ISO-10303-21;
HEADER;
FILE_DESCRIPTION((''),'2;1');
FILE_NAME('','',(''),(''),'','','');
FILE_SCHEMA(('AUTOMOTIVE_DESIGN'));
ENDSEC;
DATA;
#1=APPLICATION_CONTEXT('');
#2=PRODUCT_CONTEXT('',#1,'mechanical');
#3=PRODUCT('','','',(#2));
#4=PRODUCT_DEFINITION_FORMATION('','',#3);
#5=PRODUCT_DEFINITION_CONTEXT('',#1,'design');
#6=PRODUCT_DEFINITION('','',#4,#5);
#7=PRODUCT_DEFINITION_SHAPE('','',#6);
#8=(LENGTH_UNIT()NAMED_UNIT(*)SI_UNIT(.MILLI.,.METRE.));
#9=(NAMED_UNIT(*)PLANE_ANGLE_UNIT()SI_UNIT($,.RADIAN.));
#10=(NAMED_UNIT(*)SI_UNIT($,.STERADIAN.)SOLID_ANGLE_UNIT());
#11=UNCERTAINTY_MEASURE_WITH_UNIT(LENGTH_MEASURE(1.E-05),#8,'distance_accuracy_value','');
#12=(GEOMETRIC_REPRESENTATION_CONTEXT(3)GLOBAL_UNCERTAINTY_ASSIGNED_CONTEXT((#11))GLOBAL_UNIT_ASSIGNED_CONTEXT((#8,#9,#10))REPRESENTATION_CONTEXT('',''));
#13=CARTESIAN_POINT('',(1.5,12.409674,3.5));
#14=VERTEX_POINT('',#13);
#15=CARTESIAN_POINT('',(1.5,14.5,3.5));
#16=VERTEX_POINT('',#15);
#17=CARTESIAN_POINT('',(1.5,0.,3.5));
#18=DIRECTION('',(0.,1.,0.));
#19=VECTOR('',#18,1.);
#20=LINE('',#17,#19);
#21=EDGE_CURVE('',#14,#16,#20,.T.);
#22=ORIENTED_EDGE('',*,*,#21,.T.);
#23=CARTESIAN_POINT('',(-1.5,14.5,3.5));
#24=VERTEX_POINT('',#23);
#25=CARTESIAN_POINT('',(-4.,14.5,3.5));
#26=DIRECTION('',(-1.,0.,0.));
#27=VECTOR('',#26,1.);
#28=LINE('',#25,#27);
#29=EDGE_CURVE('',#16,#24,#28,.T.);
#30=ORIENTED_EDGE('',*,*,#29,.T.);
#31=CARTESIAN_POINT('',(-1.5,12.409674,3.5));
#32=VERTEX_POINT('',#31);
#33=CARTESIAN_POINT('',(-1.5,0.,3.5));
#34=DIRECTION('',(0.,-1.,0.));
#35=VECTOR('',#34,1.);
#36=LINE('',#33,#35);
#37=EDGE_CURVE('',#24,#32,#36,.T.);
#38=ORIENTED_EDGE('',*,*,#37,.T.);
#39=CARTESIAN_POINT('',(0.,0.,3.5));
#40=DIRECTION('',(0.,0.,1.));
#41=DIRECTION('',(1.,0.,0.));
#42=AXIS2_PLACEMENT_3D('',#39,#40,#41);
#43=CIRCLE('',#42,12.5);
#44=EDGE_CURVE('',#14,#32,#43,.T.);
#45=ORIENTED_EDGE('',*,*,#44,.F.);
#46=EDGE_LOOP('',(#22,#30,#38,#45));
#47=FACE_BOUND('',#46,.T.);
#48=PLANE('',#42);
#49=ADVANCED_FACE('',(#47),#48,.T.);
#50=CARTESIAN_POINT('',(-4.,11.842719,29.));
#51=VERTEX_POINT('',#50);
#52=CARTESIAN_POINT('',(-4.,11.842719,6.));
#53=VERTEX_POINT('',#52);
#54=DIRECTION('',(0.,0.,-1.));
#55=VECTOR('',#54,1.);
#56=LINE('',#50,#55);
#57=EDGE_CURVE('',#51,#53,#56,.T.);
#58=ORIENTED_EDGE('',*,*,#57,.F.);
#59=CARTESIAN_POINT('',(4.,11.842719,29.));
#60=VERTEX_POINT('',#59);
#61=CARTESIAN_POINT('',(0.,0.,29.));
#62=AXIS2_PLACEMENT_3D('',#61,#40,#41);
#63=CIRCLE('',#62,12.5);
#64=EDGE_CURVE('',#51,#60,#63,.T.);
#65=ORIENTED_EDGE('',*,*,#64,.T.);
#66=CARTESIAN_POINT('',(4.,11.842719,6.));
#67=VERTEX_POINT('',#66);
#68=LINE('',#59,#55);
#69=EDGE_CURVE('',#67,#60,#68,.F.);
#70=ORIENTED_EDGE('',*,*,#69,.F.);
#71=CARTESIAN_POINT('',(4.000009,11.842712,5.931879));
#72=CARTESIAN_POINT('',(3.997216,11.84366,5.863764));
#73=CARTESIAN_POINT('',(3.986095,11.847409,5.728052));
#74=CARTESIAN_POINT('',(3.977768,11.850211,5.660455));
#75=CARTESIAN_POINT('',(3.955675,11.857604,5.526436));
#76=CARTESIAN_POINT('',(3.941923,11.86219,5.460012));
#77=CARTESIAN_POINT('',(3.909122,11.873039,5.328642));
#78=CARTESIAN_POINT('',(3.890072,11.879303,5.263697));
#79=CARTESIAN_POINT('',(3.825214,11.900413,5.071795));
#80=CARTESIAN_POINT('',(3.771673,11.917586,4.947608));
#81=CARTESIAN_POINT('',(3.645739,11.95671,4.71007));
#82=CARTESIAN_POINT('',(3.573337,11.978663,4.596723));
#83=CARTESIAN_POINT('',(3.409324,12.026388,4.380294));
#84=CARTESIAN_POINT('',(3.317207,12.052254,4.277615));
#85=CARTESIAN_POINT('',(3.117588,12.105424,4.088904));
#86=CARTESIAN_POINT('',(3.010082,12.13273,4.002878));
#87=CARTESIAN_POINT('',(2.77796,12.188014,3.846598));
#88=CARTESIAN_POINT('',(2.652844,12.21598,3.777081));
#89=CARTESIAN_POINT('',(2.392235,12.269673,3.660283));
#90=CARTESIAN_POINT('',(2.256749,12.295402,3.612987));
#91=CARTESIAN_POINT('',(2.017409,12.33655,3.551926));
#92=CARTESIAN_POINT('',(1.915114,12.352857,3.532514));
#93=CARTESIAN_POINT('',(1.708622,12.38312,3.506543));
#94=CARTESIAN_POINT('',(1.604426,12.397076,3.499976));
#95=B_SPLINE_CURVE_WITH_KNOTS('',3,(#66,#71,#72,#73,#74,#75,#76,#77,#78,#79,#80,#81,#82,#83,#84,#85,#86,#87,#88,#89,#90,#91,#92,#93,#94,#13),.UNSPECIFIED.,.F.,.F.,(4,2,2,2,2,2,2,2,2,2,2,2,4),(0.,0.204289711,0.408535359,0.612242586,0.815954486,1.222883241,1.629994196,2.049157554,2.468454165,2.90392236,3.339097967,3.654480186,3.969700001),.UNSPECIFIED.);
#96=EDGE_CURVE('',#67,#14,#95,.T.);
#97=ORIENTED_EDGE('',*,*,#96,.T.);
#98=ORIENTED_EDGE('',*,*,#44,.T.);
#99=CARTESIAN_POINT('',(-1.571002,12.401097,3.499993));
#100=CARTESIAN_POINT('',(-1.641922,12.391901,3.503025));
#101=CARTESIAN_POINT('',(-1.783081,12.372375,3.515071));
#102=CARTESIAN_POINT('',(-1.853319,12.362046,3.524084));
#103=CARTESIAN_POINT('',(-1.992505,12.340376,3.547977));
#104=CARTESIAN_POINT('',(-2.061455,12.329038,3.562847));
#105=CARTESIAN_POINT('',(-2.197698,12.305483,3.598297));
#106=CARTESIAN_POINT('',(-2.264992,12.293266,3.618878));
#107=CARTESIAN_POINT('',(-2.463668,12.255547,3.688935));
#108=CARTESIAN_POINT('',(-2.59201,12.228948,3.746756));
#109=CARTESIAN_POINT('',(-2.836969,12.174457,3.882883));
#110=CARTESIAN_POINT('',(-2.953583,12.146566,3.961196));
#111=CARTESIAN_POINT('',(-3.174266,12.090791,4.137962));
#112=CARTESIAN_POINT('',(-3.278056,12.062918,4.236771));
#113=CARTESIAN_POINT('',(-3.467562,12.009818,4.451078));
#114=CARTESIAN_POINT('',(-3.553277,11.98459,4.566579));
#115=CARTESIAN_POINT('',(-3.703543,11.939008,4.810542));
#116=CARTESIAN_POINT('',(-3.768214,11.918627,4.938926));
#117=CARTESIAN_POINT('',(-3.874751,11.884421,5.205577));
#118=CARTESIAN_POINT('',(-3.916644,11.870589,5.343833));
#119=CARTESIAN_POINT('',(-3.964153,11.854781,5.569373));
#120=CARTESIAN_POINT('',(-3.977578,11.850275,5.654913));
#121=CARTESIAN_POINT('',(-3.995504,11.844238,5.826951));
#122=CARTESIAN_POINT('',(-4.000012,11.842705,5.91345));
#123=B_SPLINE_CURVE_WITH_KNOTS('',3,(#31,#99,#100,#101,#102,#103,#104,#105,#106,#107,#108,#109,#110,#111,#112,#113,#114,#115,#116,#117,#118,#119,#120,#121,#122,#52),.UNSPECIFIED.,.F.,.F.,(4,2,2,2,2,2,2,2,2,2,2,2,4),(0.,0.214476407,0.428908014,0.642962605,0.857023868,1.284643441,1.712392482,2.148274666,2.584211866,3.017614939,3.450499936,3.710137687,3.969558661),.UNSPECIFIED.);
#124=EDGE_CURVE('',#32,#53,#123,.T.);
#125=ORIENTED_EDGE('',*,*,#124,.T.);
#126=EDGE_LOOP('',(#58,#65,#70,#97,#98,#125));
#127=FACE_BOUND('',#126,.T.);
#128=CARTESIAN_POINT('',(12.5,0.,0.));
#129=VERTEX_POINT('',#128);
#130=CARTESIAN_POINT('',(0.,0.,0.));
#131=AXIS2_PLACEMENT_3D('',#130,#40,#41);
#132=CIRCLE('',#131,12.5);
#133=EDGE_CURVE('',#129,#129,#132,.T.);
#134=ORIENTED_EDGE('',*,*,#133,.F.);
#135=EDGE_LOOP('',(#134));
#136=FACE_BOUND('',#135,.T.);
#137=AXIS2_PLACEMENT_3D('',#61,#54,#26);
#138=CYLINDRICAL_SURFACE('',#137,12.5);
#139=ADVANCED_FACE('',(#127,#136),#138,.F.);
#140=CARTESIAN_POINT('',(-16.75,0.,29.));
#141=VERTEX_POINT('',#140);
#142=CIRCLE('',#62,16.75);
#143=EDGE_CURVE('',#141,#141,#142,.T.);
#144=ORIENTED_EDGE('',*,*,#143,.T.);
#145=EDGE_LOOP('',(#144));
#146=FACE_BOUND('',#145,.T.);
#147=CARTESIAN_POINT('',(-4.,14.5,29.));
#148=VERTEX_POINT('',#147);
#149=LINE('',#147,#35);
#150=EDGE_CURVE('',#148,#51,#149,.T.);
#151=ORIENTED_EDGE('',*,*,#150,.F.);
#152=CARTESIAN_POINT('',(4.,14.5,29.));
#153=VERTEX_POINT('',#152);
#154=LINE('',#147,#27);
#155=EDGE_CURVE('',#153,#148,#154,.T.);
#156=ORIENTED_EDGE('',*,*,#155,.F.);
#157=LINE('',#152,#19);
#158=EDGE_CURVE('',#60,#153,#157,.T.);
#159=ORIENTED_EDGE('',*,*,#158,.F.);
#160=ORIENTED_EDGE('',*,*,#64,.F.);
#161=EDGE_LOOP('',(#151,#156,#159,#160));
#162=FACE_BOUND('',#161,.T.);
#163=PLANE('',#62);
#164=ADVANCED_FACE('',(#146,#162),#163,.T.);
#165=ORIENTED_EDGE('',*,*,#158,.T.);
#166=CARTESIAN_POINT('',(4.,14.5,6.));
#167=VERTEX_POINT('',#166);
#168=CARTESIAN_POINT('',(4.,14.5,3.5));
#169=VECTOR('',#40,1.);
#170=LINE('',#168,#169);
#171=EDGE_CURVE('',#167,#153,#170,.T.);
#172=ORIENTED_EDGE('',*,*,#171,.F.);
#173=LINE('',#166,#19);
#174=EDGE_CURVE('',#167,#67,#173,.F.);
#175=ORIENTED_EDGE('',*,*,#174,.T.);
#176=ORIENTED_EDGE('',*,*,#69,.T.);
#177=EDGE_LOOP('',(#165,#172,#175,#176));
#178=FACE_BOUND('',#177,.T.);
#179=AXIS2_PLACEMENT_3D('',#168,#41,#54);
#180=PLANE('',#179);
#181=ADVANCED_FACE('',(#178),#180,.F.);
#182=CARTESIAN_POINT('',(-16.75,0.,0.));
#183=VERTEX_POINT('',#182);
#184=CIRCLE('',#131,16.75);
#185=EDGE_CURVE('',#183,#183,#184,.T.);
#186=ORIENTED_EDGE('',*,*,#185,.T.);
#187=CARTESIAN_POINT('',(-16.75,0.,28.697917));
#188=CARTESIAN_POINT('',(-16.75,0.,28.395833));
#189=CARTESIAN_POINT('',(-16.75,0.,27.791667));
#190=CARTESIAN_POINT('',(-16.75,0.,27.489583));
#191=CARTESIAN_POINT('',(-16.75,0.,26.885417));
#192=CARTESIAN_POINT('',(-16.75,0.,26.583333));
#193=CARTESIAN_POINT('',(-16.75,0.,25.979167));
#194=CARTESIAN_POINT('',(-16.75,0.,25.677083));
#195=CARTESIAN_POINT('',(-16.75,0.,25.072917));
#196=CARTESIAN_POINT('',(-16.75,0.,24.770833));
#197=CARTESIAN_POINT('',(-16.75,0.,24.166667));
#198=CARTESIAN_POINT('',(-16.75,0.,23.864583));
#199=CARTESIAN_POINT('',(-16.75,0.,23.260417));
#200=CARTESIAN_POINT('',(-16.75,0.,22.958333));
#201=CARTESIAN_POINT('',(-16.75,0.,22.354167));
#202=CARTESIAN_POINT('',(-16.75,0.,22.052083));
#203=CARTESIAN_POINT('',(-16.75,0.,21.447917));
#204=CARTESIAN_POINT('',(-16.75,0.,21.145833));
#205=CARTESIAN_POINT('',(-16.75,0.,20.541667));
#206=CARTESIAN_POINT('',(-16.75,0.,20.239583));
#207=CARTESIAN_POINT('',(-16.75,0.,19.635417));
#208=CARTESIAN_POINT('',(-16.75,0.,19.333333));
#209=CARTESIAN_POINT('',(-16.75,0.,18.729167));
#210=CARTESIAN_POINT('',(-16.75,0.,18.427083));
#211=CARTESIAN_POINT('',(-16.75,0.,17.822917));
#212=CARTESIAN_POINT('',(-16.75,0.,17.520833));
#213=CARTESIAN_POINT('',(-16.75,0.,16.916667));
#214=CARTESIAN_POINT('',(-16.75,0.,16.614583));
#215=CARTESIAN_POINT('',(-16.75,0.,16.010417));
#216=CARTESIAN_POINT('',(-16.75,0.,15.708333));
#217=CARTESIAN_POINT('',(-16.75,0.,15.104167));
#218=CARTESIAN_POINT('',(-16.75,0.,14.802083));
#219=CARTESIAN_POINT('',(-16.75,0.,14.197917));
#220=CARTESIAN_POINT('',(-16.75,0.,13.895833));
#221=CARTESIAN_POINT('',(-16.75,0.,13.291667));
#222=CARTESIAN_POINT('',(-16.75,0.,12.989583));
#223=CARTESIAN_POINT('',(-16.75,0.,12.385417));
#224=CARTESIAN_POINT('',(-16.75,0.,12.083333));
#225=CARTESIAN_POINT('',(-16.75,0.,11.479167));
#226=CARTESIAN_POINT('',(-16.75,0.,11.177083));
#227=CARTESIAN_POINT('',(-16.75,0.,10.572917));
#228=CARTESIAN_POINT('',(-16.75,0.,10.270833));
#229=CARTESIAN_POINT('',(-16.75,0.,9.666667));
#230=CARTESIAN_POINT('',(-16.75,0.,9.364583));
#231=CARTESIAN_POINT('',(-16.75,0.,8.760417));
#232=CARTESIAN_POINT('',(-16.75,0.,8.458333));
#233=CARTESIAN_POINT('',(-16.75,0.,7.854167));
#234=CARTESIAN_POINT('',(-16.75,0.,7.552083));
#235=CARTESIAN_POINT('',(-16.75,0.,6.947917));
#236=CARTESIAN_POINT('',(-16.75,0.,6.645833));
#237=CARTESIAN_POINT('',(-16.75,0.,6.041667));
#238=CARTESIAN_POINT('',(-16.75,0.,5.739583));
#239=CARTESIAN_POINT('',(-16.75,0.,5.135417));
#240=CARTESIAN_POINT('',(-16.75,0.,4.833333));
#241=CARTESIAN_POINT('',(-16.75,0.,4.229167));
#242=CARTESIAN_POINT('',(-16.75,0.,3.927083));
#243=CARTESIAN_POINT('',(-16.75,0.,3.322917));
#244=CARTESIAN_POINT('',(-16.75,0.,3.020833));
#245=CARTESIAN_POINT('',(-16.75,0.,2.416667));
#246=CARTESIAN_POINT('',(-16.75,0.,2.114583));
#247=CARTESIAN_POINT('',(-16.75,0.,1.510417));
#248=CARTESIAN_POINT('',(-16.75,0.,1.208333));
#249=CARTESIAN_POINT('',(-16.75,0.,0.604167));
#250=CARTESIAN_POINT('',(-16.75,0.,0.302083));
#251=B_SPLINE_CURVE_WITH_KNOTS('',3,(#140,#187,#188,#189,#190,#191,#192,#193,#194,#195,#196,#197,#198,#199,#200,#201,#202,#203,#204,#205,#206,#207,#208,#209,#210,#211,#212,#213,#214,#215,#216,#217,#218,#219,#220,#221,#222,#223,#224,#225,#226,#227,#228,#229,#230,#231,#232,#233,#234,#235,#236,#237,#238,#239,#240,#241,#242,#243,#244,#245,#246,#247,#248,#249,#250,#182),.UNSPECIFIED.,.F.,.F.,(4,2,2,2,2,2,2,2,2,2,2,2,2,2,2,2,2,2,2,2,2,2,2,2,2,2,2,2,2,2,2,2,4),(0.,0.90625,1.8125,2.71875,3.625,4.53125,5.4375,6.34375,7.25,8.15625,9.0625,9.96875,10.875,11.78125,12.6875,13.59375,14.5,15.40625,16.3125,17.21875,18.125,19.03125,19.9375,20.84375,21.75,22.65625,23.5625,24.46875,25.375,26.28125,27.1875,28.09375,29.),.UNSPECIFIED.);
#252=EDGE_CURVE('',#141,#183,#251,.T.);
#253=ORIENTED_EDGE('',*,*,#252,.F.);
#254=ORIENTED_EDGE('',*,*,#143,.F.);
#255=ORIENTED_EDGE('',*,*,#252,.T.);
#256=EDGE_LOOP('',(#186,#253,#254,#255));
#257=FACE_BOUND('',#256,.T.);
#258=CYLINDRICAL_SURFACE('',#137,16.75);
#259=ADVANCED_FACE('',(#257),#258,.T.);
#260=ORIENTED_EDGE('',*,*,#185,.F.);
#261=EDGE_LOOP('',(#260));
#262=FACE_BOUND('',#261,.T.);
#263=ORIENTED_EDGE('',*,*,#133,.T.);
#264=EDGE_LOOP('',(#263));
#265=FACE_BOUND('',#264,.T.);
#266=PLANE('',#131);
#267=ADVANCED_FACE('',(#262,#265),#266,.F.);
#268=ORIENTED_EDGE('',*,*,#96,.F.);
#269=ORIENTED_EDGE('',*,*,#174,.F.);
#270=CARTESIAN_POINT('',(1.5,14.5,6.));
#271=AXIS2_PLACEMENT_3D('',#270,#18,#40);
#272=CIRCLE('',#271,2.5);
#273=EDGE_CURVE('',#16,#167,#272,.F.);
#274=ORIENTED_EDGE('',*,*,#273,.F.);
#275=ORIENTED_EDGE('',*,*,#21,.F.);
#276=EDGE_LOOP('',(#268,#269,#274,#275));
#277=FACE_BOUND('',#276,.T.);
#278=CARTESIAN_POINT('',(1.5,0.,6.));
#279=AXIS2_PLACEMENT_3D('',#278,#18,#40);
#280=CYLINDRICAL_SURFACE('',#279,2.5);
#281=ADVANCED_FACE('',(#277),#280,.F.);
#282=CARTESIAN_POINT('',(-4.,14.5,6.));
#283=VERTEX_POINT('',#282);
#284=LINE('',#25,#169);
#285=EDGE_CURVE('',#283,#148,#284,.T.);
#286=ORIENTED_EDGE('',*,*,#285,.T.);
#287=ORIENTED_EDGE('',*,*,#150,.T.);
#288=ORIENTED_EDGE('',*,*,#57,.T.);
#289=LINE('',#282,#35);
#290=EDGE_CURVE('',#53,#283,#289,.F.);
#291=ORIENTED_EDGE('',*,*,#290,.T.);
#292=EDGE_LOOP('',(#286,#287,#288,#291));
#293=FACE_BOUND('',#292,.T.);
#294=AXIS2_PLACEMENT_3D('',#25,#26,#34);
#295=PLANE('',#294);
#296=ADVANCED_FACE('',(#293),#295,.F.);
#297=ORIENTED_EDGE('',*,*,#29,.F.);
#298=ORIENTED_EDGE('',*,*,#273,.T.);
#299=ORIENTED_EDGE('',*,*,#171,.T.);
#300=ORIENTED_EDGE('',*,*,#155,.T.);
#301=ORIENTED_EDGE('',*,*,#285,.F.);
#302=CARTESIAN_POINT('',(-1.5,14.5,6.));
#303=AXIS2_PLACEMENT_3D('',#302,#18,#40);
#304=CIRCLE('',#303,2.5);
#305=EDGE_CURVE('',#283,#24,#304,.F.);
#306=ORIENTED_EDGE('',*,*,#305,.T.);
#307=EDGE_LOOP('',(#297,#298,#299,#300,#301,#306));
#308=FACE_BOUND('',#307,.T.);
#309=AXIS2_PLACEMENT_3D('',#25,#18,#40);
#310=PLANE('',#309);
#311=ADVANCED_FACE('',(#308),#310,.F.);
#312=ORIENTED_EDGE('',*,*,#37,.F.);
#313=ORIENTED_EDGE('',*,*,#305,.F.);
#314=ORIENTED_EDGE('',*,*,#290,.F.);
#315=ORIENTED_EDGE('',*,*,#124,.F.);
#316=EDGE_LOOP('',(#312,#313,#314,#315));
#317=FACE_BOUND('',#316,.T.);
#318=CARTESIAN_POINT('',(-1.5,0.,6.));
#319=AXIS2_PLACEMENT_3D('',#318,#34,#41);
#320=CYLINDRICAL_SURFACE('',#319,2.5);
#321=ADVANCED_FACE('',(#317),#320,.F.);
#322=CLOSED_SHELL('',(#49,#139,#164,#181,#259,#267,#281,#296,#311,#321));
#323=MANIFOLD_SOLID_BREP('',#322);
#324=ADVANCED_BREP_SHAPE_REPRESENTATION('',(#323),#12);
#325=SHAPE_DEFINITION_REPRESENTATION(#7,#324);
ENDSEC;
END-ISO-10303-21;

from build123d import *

# Parameters (mm, degrees)
SKETCH1_R           = 16.75
SKETCH1_R_2         = 12.5
BOSS_EXTRUDE1_DEPTH = 29
SKETCH2_W           = 8
SKETCH2_H           = 4
CUT_EXTRUDE2_DEPTH  = 25.5
FILLET1_R           = 2.5
FILLET2_R           = 2.5


with BuildPart() as part:
    # Sketch1 → Boss-Extrude1 (new body)
    with BuildSketch(Plane.XY):
        with Locations(Location((0, 0, 0), (0, 0, 180))):
            Circle(SKETCH1_R)
        with Locations(Location((0, 0, 0), (0, 0, 180))):
            Circle(SKETCH1_R_2, mode=Mode.SUBTRACT)
    extrude(amount=BOSS_EXTRUDE1_DEPTH)

    # Sketch2 → Cut-Extrude2 (cut)
    with BuildSketch(Plane.XY.offset(29)):
        with Locations((0, 12.5)):
            Rectangle(SKETCH2_W, SKETCH2_H)
    extrude(amount=-CUT_EXTRUDE2_DEPTH, mode=Mode.SUBTRACT)

    # Fillet1
    fillet1_edges = [part.edges().sort_by_distance(p)[0] for p in [
        (4, 13.171359641, 3.5),
    ]]
    fillet(fillet1_edges, radius=FILLET1_R)

    # Fillet2
    fillet2_edges = [part.edges().sort_by_distance(p)[0] for p in [
        (-4, 13.171359641, 3.5),
    ]]
    fillet(fillet2_edges, radius=FILLET2_R)


solid = part.part
